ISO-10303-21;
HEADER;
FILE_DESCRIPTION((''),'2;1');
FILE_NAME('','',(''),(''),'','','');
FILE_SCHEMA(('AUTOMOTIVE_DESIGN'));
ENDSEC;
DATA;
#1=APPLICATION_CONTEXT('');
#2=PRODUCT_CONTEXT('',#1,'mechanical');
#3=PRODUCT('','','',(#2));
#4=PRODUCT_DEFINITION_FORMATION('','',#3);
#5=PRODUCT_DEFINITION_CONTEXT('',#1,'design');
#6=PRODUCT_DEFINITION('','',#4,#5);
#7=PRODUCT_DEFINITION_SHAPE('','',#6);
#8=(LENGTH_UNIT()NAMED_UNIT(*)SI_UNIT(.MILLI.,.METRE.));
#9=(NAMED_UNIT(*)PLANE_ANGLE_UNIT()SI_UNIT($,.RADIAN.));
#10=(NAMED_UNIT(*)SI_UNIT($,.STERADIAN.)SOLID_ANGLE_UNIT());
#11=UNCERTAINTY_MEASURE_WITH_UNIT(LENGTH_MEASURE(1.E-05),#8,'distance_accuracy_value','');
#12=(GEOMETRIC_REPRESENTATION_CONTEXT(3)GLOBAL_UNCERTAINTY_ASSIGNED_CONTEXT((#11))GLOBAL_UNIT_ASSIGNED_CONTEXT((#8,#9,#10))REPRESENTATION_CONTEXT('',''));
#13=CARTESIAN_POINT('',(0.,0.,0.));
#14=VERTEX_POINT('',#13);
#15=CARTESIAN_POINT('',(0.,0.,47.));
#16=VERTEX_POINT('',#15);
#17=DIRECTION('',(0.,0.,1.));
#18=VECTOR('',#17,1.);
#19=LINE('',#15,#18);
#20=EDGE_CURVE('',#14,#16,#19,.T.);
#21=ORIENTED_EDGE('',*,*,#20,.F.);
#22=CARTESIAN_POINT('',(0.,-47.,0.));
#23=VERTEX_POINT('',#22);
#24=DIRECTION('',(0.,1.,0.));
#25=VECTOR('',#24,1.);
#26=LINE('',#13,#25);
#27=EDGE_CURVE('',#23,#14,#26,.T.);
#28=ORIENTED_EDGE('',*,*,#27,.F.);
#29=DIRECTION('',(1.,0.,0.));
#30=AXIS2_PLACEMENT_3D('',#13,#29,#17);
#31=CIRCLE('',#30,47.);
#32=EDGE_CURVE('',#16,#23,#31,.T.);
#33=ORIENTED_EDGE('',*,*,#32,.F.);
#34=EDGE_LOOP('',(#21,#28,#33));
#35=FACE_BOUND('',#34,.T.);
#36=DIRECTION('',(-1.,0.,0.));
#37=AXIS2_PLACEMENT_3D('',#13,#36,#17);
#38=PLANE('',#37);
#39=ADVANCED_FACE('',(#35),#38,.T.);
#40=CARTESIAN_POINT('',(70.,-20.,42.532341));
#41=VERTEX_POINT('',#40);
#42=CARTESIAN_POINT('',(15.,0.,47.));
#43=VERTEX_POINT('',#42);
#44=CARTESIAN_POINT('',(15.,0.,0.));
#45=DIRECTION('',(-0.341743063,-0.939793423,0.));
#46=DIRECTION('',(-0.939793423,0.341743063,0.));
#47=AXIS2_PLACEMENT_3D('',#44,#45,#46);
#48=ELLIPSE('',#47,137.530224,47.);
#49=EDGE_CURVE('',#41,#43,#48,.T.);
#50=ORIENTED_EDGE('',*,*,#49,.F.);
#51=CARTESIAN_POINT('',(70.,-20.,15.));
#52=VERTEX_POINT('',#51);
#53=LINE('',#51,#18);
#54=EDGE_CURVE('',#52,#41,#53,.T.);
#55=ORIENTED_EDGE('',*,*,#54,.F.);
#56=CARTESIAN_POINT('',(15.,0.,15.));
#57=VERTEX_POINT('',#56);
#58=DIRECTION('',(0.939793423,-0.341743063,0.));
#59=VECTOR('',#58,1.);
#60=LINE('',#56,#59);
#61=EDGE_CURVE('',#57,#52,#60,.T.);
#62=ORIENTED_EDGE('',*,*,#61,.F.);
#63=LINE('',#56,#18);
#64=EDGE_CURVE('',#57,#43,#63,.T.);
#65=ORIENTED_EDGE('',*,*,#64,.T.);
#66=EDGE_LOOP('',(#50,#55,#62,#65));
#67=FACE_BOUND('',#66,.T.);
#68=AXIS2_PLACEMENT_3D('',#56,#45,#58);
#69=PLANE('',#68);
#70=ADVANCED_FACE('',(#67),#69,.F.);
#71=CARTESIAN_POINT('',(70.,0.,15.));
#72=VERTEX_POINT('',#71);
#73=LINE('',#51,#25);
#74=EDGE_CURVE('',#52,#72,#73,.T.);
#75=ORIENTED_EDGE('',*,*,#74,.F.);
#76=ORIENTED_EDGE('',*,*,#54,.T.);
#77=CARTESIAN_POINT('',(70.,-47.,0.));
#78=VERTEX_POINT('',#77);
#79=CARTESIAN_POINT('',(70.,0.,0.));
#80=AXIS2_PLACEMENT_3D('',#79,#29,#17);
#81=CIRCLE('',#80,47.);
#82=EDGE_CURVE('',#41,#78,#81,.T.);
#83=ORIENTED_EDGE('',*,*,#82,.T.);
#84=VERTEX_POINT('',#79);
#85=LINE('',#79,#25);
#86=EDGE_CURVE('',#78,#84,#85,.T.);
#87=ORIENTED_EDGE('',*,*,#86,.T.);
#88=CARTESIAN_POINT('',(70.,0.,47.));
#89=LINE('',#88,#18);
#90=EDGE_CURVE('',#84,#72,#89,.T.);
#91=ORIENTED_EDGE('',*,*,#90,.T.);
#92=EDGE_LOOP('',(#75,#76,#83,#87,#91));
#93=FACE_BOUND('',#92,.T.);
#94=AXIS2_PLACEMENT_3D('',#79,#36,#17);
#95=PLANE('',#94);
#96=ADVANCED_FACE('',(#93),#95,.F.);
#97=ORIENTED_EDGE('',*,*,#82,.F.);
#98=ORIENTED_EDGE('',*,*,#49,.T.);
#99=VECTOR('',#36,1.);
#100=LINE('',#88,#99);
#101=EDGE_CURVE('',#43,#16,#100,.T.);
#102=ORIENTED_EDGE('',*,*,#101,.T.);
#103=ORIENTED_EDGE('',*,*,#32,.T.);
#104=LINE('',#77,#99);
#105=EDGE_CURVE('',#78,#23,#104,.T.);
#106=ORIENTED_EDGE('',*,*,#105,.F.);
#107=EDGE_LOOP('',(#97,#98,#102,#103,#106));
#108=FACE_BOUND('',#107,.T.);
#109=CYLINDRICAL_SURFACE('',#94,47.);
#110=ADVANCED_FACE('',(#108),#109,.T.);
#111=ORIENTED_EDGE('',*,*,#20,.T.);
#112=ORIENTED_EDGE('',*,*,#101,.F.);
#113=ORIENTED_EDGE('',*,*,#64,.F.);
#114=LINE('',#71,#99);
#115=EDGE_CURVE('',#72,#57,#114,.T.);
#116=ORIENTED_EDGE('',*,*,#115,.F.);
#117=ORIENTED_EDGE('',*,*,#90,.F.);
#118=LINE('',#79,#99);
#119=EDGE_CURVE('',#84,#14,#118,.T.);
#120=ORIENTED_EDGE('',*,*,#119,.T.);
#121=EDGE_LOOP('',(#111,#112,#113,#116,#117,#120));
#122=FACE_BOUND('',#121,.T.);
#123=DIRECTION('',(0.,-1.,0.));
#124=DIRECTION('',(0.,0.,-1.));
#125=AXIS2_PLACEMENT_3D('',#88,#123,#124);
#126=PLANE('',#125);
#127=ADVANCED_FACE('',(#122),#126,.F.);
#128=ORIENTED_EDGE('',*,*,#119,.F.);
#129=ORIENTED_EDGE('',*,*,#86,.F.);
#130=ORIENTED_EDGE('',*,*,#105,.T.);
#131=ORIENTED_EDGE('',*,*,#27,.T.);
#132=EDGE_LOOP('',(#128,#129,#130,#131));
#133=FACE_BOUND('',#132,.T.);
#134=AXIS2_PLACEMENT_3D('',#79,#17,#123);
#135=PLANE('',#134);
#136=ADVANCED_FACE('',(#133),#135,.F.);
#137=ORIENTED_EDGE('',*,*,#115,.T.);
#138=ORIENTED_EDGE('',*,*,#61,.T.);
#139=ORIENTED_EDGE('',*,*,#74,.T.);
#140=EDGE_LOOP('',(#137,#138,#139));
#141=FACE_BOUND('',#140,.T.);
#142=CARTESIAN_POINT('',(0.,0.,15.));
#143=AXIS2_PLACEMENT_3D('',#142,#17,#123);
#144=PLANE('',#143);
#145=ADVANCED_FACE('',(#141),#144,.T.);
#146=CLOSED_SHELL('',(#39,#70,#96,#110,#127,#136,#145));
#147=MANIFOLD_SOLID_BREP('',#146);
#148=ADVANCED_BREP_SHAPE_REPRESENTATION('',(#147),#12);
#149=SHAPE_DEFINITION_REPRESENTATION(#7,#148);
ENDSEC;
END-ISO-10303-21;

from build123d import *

# Parameters (mm, degrees)
BOSS_EXTRUDE1_DEPTH = 70
CUT_EXTRUDE2_DEPTH  = 32


with BuildPart() as part:
    # Sketch1 → Boss-Extrude1 (new body)
    with BuildSketch(Plane(origin=(0, 0, 0), x_dir=(0, 0, -1), z_dir=(1, 0, 0))):
        with BuildLine():
            Line((-47, 0), (0, 0))
            Line((0, 0), (0, -47))
            ThreePointArc((0, -47), (-33.234018716, -33.234018716), (-47, 0))
        make_face()
    extrude(amount=BOSS_EXTRUDE1_DEPTH)

    # Sketch3 → Cut-Extrude2 (cut)
    with BuildSketch(Plane(origin=(0, 0, 47), x_dir=(-1, 0, 0), z_dir=(0, 0, -1))):
        Polygon((-15, 0), (-70, -20), (-70, 0), align=None)
    extrude(amount=CUT_EXTRUDE2_DEPTH, mode=Mode.SUBTRACT)


solid = part.part
